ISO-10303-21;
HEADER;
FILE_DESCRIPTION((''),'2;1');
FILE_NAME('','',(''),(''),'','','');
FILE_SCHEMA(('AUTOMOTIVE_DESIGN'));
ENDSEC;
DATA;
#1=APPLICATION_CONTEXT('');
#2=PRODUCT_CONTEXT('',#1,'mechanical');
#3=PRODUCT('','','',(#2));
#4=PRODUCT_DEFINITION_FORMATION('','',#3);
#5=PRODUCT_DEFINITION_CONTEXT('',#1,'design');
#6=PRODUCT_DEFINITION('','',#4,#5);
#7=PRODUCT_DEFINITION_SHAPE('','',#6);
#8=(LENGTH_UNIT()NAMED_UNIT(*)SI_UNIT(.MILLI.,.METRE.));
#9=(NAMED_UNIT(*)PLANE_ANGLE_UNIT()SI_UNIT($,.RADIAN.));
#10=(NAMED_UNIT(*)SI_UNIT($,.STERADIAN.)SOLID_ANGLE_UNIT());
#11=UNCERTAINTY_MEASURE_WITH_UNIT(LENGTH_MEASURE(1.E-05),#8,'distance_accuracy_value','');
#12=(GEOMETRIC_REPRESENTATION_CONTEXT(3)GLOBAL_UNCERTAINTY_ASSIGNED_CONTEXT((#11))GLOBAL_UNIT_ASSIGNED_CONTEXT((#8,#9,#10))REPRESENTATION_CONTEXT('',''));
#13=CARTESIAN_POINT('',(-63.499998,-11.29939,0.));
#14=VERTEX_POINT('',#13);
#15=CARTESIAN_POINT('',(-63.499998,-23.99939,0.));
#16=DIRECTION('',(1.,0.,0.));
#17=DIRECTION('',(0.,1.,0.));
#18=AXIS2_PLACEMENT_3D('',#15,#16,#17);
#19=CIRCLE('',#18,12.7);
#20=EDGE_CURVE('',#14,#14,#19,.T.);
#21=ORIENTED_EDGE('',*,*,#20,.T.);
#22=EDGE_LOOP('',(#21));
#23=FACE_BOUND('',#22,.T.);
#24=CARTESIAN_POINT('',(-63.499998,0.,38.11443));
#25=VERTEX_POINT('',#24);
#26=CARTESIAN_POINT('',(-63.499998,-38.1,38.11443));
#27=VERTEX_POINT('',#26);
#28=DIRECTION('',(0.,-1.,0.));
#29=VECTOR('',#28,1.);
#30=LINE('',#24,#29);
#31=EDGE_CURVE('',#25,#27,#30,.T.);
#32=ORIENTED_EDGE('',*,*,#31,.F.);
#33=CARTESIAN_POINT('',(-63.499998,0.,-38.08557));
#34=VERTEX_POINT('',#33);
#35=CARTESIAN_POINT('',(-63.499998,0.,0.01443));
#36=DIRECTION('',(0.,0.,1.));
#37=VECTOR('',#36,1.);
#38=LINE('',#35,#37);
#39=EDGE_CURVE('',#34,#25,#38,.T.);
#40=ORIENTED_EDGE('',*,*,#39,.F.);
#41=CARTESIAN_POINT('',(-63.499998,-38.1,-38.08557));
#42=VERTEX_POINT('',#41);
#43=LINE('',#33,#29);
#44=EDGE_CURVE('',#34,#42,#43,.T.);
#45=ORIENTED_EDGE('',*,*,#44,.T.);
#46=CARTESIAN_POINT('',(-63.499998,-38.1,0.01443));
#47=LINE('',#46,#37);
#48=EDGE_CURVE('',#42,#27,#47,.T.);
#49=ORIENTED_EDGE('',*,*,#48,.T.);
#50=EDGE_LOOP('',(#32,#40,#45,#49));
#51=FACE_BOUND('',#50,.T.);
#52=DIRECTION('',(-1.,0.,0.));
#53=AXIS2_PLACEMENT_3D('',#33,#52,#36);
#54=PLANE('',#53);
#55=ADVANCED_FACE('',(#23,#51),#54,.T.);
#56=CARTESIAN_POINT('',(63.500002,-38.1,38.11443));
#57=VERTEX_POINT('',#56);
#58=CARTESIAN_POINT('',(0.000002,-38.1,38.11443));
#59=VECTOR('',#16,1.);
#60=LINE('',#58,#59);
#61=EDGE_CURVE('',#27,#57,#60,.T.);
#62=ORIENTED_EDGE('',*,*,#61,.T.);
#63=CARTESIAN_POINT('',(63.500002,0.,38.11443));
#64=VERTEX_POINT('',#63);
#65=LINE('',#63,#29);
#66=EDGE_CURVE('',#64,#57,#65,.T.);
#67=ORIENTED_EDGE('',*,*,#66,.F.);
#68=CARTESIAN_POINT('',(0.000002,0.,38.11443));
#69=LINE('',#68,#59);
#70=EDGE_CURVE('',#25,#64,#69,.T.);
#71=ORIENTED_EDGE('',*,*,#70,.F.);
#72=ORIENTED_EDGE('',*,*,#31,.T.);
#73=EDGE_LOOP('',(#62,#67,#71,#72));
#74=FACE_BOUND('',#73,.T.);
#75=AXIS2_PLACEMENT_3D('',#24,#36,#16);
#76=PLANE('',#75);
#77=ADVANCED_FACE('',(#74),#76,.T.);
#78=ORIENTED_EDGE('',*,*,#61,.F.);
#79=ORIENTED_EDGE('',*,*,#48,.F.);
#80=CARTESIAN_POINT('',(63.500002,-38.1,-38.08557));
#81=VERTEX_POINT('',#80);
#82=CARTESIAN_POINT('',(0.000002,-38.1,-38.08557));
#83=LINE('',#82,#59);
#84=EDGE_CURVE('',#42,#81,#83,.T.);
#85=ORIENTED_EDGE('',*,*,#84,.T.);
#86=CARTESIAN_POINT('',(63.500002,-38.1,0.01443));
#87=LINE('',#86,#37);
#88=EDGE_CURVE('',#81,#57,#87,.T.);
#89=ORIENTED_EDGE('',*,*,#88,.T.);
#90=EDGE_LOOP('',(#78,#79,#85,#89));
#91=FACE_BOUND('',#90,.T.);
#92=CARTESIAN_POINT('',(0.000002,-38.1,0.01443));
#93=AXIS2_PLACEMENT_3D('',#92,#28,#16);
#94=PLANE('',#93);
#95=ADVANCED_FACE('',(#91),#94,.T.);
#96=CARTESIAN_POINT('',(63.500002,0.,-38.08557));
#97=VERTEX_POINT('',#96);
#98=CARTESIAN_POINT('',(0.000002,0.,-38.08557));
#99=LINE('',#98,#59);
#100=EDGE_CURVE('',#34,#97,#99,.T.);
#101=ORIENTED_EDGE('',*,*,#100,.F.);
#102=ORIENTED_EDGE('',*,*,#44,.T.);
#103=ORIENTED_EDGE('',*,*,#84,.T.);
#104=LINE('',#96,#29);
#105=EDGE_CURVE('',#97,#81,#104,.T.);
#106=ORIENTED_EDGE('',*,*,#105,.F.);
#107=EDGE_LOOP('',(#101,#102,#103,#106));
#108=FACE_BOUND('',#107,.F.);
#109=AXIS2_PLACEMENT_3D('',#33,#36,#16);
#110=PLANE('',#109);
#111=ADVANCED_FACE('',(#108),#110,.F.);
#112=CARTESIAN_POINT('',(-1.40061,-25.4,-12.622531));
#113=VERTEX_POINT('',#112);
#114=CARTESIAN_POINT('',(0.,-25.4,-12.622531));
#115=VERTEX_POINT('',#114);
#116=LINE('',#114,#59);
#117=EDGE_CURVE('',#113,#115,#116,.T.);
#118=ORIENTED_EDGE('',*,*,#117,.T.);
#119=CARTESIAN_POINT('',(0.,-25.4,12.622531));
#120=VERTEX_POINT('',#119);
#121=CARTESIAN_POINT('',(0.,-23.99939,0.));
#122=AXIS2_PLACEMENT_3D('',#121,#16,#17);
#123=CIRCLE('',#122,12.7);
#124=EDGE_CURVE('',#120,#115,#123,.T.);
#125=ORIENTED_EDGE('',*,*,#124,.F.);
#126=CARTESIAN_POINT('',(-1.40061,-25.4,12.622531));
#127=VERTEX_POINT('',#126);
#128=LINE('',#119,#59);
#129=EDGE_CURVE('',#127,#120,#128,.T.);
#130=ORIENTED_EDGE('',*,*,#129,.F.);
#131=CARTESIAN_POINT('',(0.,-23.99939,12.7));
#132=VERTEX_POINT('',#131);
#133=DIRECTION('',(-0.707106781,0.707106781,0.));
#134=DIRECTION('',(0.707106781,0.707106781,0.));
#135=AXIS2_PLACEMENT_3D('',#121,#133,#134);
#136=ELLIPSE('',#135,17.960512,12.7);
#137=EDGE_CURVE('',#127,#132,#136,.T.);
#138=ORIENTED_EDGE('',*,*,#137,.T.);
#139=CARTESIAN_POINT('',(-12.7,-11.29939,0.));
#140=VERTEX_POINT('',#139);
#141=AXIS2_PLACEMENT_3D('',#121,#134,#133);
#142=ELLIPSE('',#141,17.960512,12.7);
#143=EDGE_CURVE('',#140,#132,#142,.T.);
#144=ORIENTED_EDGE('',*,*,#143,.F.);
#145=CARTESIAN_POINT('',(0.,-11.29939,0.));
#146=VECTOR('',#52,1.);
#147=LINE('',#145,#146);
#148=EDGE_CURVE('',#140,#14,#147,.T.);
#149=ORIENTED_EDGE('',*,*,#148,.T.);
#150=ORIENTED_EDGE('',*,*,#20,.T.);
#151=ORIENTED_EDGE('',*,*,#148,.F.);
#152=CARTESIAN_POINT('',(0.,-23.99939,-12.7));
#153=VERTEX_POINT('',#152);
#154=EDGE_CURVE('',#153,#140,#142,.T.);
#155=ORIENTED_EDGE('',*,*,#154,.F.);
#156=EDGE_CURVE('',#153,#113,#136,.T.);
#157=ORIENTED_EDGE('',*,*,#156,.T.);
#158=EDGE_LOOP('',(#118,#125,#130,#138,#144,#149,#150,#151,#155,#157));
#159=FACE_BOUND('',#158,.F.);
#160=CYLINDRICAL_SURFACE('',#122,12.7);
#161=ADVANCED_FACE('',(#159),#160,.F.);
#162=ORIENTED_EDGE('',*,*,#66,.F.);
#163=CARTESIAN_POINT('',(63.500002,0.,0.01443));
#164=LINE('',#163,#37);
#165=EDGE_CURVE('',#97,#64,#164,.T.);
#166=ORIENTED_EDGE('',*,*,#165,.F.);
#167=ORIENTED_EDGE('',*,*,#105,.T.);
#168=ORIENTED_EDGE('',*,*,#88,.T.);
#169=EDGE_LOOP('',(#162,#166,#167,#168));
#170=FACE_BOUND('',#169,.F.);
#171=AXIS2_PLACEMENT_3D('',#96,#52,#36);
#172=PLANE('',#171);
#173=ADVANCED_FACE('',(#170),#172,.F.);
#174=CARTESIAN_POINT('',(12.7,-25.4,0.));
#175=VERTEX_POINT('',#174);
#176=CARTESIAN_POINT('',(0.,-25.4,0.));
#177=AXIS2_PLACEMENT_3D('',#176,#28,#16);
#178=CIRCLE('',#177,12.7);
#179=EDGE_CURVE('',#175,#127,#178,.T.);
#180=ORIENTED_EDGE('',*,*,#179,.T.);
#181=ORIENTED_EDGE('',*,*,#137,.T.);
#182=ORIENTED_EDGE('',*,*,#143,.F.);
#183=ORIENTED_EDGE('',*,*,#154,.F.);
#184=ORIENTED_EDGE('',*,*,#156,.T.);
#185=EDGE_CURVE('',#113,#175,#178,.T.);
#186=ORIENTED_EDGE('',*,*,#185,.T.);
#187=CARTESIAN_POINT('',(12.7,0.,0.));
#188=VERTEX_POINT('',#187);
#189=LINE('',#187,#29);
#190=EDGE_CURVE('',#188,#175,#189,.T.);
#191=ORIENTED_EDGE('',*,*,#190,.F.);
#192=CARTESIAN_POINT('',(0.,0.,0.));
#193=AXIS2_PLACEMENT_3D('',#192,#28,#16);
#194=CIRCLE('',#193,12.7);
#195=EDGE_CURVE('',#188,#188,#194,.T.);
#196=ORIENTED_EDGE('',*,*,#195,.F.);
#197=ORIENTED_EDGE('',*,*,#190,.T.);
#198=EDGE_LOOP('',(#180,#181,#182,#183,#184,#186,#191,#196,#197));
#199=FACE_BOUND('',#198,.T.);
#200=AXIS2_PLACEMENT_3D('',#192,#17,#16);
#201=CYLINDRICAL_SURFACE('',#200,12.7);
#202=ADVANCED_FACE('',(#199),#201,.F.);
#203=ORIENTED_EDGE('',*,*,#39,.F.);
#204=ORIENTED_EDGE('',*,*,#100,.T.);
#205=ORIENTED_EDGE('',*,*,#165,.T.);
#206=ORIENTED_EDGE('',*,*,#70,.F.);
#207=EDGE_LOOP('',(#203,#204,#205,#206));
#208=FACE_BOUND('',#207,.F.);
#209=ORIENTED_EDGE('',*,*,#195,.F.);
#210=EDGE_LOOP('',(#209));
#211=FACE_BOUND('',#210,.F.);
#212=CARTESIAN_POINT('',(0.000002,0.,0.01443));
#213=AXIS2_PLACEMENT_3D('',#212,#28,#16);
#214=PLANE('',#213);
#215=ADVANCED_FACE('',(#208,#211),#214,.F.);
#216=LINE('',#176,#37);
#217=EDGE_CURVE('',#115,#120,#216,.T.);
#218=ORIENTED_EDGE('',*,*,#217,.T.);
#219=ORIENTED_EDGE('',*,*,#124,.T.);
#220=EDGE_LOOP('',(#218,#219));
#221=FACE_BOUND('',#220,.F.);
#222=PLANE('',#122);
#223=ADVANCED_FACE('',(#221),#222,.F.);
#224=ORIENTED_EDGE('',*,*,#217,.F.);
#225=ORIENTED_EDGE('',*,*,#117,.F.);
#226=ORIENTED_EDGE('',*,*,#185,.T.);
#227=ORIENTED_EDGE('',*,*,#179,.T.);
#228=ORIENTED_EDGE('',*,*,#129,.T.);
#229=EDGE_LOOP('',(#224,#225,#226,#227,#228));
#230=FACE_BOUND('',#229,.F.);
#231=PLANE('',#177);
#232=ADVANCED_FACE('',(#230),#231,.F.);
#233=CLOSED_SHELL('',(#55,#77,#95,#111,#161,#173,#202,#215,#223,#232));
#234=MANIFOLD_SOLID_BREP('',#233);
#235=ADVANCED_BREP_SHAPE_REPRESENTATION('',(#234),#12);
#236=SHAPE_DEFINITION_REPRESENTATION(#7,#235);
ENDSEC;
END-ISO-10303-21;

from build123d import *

# Parameters (mm, degrees)
F0_W     = 127
F0_H     = 76.2
F2_DEPTH = 38.1
F1_R     = 12.7
F3_DEPTH = 25.4
F4_R     = 12.7
F5_DEPTH = 76.2


with BuildPart() as f2:
    # F0 (on Front) → F2 (new body)
    with BuildSketch(Plane.XZ):
        with Locations((2e-06, 0.01443)):
            Rectangle(F0_W, F0_H)
    extrude(amount=F2_DEPTH)

    # F1 (on Front) → F3 (cut)
    with BuildSketch(Plane.XZ):
        Circle(F1_R)
    extrude(amount=F3_DEPTH, mode=Mode.SUBTRACT)

    # F4 (on Right) → F5 (cut)
    with BuildSketch(Plane.YZ):
        with Locations((-23.99939, 0)):
            Circle(F4_R)
    extrude(amount=-F5_DEPTH, mode=Mode.SUBTRACT)


solid = f2.part
